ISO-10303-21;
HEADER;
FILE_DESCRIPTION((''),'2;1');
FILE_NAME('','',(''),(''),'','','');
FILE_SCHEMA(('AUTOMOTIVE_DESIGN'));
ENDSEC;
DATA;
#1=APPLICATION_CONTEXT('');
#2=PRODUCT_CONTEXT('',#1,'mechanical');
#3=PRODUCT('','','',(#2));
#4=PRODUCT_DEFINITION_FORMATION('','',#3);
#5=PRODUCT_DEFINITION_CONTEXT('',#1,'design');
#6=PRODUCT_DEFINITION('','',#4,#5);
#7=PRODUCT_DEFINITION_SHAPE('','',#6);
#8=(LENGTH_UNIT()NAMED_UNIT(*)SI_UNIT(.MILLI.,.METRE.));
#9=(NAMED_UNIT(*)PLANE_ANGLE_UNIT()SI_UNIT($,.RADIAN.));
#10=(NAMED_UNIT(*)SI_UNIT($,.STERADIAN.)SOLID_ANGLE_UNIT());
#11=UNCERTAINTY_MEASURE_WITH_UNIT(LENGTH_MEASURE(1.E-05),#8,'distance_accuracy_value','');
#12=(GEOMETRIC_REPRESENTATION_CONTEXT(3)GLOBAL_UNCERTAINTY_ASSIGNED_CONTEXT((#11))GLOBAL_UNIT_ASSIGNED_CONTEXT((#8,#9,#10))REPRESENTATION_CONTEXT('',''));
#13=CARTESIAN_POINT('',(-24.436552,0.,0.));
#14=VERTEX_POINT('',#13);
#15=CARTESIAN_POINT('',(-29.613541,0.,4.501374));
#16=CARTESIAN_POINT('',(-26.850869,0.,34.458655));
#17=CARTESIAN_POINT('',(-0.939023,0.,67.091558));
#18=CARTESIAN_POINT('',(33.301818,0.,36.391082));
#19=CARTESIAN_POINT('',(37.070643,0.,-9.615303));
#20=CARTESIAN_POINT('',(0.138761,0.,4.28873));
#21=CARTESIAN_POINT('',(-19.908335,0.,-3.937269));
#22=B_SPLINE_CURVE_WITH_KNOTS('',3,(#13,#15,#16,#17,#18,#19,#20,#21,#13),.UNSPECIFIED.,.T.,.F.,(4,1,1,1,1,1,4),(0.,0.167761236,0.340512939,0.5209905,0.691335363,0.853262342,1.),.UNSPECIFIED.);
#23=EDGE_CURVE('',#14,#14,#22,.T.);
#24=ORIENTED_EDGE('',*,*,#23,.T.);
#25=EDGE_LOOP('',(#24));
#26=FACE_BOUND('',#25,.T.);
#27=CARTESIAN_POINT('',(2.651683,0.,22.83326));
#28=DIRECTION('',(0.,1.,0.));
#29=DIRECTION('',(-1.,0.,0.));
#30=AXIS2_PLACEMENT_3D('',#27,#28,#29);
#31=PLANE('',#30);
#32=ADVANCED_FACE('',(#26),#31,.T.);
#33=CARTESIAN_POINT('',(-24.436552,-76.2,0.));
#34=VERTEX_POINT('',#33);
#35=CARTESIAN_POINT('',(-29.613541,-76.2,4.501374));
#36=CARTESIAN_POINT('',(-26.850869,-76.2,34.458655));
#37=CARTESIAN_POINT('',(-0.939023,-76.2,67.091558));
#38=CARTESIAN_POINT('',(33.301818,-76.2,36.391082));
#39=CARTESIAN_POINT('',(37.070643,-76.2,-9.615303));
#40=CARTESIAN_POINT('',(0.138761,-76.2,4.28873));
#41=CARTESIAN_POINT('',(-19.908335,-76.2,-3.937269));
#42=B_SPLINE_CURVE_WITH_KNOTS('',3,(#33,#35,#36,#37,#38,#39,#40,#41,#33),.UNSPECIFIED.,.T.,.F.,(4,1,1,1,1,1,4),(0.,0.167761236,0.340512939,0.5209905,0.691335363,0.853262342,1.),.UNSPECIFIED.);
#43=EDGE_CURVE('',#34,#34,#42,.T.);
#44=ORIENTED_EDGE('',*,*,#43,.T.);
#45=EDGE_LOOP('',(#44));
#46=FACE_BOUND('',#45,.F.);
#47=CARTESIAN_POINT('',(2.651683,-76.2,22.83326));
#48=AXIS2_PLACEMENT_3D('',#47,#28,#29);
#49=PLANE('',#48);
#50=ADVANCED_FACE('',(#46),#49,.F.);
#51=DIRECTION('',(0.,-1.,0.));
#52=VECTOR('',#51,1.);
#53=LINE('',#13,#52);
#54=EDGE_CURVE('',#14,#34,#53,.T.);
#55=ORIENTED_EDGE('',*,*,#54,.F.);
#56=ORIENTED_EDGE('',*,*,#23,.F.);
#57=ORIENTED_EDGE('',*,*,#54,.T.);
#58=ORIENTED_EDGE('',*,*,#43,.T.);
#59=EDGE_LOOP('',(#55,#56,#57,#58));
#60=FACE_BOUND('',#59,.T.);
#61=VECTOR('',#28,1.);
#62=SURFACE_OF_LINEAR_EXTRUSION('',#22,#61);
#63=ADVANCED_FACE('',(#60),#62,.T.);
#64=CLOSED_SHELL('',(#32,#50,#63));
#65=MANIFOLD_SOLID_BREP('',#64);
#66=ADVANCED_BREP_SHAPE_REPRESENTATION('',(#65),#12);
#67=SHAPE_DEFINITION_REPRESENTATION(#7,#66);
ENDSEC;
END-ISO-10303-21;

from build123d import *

# Parameters (mm, degrees)
F1_DEPTH = 76.2


with BuildPart() as f1:
    # F0 (on Front) → F1 (new body)
    with BuildSketch(Plane.XZ):
        with BuildLine():
            add(Edge.make_bspline(
                [(-24.4365520775, 0), (-29.6135409459, 4.5013743699), (-26.8508687731, 34.4586546836), (-0.9390234428, 67.0915582377), (33.3018175116, 36.3910821877), (37.0706430024, -9.6153028632), (0.1387610583, 4.288730121), (-19.9083354284, -3.9372691123), (-24.4365520775, 0)],
                knots=[0, 0, 0, 0, 0.1677612363, 0.3405129391, 0.5209905, 0.6913353628, 0.8532623418, 1, 1, 1, 1], degree=3))
        make_face()
    extrude(amount=F1_DEPTH)


solid = f1.part
